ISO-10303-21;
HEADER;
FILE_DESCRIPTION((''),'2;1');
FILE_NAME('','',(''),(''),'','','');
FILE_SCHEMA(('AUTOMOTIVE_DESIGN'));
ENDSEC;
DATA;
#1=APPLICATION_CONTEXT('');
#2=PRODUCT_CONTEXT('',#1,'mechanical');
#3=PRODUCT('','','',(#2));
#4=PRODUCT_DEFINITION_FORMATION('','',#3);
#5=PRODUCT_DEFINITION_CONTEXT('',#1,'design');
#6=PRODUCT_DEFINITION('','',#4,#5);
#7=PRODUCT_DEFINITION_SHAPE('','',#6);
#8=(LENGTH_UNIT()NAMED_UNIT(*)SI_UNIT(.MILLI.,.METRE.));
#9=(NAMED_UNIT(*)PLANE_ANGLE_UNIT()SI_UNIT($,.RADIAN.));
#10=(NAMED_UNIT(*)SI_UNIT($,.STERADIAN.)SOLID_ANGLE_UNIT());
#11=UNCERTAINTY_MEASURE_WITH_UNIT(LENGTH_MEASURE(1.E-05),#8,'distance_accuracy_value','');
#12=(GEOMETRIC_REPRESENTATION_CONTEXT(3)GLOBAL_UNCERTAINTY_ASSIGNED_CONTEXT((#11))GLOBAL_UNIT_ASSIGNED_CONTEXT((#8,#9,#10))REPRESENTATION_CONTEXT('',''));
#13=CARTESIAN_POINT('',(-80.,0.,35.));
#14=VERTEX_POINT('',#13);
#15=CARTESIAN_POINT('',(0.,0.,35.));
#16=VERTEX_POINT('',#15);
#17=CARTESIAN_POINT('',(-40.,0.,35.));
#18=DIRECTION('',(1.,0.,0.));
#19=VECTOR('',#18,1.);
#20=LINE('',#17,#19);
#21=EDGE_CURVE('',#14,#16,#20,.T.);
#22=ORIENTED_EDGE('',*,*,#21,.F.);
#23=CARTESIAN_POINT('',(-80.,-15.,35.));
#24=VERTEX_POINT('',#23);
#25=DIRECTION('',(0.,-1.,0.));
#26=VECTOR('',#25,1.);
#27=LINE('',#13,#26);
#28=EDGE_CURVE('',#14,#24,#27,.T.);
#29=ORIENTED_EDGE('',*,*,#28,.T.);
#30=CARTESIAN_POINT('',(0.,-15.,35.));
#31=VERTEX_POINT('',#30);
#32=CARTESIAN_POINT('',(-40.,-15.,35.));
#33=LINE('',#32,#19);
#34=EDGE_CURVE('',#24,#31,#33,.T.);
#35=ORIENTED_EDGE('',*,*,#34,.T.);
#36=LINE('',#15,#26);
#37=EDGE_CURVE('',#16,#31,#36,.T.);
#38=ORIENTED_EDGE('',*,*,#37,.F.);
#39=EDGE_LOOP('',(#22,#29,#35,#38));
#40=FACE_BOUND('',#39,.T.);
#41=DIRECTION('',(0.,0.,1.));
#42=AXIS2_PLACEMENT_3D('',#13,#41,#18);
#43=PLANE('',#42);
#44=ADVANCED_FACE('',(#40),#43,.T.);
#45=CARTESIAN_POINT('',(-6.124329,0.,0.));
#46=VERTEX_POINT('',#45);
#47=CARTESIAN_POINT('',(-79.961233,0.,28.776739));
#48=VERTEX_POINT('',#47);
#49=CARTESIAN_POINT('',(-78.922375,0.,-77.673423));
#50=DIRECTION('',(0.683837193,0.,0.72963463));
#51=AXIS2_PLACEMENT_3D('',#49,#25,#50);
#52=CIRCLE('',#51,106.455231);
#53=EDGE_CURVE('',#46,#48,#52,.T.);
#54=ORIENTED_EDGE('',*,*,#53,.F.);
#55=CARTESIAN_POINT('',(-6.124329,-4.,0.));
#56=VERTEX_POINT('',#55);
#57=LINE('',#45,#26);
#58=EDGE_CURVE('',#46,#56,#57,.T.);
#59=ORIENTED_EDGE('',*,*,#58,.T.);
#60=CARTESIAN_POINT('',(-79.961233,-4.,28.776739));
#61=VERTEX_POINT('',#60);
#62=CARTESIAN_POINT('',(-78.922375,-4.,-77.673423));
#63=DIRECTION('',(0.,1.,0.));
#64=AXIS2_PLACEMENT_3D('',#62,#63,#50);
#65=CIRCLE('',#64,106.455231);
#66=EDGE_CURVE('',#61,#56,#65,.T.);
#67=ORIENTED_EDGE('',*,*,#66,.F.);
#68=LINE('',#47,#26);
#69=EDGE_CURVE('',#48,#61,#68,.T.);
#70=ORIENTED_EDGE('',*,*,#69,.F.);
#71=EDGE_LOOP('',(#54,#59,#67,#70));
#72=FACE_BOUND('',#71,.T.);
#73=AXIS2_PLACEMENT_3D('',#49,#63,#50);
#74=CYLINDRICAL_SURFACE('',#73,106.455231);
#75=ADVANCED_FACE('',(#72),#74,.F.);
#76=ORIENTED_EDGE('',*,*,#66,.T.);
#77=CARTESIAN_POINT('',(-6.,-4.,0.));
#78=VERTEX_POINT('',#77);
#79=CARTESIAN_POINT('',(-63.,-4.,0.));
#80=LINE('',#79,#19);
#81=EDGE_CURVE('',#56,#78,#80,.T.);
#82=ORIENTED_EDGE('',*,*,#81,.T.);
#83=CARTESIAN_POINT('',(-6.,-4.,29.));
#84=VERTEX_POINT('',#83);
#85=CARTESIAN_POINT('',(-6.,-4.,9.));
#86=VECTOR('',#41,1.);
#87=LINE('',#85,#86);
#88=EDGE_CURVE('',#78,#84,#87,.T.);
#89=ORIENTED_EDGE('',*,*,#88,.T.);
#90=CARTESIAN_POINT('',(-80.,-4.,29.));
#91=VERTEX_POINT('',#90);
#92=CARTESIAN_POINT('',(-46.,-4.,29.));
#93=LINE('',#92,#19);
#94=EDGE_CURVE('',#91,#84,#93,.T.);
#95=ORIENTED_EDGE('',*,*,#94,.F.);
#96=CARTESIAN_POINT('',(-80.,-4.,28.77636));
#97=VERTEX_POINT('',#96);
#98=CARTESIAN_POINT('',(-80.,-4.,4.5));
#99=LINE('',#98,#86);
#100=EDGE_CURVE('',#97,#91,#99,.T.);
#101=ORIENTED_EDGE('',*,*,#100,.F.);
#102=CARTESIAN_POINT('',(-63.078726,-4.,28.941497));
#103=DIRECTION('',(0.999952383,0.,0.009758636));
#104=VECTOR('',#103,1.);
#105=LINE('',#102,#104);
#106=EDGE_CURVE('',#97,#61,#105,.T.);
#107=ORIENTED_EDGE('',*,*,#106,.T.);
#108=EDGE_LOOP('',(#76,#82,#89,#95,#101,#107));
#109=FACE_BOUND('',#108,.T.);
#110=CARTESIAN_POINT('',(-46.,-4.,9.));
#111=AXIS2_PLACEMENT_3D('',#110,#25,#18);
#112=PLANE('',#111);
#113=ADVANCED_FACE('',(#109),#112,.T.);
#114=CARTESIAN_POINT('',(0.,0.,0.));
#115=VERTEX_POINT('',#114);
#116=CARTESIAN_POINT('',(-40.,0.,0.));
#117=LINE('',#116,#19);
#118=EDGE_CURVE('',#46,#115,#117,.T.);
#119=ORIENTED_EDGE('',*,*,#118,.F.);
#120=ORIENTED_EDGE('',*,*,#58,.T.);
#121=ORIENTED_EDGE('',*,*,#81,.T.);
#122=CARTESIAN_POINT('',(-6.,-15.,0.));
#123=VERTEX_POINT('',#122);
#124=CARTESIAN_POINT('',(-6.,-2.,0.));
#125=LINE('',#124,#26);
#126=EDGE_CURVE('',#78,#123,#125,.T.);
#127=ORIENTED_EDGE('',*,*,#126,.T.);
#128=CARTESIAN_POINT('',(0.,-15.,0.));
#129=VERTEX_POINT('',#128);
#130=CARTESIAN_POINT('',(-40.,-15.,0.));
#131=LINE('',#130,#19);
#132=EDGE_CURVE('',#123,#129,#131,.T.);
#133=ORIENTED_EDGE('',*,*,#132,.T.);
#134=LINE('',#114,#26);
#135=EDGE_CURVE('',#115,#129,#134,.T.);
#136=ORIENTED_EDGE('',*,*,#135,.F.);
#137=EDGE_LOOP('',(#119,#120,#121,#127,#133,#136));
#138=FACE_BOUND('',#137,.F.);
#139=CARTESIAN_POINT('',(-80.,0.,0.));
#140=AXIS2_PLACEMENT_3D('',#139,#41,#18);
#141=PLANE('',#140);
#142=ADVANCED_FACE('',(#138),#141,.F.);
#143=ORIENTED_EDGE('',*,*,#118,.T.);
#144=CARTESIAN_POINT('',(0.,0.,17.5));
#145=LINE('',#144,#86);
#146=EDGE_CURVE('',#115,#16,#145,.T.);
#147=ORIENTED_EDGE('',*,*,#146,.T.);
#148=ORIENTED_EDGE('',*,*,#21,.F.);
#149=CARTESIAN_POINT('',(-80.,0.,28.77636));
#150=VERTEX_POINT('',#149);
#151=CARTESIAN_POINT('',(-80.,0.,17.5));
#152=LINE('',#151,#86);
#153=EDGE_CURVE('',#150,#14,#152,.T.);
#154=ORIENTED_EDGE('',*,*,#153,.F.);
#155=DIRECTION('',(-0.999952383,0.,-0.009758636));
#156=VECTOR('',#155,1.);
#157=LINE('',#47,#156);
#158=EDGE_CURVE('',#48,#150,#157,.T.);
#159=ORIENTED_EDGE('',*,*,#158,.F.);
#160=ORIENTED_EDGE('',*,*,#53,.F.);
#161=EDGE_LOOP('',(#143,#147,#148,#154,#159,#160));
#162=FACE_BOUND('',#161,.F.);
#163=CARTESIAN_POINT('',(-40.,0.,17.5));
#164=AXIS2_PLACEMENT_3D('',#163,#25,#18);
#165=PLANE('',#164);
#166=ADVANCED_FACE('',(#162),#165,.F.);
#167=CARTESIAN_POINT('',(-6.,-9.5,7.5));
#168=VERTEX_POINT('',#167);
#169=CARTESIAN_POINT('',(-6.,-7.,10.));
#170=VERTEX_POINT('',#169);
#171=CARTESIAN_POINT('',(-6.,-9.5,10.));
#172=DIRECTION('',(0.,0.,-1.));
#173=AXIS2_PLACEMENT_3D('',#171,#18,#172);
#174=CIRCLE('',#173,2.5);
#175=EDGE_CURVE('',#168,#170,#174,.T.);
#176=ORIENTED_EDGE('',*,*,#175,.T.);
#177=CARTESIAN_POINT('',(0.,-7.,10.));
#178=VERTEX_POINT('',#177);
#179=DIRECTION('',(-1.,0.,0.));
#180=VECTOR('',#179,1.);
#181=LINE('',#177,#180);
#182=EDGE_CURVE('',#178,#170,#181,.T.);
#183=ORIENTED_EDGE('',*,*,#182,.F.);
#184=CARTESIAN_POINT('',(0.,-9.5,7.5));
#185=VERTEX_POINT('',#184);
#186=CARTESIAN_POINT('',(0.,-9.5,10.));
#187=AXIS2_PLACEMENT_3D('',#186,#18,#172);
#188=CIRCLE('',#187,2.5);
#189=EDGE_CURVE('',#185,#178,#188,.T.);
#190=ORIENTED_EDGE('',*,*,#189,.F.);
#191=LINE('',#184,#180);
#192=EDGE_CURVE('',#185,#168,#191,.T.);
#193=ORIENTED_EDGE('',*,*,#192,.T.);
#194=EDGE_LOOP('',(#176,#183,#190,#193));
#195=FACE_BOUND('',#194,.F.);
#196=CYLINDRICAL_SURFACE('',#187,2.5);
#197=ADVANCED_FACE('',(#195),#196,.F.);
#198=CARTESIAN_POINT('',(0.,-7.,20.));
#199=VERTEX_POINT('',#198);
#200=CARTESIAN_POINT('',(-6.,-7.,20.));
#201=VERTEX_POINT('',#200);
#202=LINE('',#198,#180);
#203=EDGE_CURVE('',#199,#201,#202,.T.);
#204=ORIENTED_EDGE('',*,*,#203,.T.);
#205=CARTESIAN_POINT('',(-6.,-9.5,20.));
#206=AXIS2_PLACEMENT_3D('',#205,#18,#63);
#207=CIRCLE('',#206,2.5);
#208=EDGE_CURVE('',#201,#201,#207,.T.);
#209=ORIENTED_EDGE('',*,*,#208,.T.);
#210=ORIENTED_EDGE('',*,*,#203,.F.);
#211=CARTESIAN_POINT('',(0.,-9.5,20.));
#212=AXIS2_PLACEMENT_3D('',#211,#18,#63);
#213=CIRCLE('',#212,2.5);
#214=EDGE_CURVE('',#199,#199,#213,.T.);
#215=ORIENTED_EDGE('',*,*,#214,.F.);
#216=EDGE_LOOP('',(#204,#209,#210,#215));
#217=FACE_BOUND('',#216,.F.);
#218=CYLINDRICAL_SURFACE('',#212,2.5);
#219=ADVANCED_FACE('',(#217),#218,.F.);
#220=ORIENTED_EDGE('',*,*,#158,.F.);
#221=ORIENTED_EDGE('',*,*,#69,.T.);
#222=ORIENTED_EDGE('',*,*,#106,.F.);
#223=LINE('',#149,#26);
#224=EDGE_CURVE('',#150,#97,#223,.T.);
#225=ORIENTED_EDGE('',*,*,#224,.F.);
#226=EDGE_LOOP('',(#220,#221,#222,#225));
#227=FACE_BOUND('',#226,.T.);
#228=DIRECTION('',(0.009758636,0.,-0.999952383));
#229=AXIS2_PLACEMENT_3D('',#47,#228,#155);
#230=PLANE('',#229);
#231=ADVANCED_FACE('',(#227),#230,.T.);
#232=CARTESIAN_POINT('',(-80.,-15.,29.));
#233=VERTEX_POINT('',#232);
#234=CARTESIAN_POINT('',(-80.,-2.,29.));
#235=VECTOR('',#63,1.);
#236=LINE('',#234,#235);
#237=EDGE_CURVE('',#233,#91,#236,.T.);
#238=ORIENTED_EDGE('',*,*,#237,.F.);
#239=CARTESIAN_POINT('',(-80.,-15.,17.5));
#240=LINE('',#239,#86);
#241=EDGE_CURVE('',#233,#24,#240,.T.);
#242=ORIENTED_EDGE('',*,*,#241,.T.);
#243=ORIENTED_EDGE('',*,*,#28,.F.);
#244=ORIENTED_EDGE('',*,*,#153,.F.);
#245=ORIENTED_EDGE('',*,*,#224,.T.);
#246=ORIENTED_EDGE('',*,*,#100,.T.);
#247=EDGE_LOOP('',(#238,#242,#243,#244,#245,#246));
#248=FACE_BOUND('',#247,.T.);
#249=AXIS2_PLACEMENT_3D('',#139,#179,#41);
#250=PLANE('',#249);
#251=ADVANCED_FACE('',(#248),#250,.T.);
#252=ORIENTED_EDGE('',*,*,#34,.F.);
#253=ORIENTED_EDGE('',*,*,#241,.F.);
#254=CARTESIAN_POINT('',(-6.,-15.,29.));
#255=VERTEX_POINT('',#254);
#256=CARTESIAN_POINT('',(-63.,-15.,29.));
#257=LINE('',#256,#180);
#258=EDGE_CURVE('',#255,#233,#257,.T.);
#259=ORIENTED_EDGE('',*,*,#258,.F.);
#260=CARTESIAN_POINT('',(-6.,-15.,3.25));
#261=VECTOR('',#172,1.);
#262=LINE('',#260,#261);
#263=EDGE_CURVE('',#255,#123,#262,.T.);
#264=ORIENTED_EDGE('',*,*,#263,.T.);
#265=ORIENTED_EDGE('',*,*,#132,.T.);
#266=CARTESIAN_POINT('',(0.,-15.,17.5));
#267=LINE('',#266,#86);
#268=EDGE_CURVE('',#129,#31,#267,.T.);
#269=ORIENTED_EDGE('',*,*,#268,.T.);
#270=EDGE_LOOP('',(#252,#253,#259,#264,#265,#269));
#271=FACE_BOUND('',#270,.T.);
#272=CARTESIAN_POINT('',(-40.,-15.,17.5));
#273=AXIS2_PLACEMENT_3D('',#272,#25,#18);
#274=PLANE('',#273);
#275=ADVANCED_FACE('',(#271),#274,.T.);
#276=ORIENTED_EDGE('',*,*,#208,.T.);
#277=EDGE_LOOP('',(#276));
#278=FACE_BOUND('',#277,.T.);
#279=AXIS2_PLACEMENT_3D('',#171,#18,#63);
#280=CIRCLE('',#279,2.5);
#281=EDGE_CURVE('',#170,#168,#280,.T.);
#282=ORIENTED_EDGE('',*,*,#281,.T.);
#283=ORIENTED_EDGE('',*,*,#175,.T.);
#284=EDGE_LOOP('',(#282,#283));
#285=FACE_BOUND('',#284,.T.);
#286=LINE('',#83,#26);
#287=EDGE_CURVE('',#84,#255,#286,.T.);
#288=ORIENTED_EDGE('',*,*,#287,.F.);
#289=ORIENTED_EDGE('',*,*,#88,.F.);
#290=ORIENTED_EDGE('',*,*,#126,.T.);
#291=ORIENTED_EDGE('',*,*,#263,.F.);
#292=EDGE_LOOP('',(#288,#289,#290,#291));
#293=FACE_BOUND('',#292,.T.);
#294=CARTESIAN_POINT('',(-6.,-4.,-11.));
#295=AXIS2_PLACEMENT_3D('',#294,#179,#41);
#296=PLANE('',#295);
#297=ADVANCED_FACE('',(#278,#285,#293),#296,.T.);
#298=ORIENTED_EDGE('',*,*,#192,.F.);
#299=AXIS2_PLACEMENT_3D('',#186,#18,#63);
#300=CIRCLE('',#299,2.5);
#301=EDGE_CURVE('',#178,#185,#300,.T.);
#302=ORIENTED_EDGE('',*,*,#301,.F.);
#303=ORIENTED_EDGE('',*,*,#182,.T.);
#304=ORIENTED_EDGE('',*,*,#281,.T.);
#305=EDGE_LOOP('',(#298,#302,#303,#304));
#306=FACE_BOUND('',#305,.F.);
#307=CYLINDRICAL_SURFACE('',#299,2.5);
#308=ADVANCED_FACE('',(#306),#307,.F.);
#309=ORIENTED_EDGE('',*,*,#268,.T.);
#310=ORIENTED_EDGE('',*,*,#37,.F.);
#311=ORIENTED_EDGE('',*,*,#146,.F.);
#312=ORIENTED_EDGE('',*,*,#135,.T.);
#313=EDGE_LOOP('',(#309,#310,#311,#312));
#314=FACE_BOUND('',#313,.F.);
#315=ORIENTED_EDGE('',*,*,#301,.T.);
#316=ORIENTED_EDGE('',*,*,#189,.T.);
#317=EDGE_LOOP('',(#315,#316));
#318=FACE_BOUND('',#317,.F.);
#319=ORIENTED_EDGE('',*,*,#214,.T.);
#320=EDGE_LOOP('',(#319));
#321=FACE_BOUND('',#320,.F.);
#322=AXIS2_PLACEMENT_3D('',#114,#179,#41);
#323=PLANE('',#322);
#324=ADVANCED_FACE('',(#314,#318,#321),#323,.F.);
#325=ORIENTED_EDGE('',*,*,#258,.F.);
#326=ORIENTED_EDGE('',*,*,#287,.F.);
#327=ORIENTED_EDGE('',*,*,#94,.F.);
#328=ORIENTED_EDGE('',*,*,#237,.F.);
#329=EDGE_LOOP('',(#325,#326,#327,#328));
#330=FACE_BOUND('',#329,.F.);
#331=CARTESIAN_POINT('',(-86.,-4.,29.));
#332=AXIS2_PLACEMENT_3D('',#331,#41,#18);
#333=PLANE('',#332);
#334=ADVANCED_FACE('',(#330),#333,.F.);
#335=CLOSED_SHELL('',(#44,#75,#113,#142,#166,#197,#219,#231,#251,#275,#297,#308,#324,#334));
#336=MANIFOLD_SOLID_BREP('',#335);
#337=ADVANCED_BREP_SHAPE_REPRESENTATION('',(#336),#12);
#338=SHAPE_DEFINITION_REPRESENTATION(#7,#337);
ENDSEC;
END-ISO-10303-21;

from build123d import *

# Parameters (mm, degrees)
F0_W          = 80
F0_H          = 35
F1_DEPTH      = 15
F3_START      = 4
F2_W          = 80
F2_H          = 40
F3_DEPTH      = 21
F5_DEPTH      = 25
F5_DEPTH_BACK = 25
F6_R          = 2.5
F7_DEPTH      = 25
F7_DEPTH_BACK = 25


with BuildPart() as f1:
    # F0 (on Front) → F1 (new body)
    with BuildSketch(Plane.XZ):
        with Locations((-40, 17.5)):
            Rectangle(F0_W, F0_H)
    extrude(amount=F1_DEPTH)

    # F2 (on Front) → F3 (cut)
    with BuildSketch(Plane.XZ.offset(F3_START)):
        with Locations((-46, 9)):
            Rectangle(F2_W, F2_H)
    extrude(amount=F3_DEPTH, mode=Mode.SUBTRACT)

    # F4 (on Front) → F5 (cut, two sides)
    with BuildSketch(Plane.XZ) as f5_sk:
        with BuildLine():
            Line((-6.1243288219, -12.5113828104), (-6.1243288219, 0))
            ThreePointArc((-6.1243288219, 0), (-40.2652870135, 21.5150124091), (-79.961232841, 28.7767387927))
            Line((-79.961232841, 28.7767387927), (-95.1284343701, 28.6287205464))
            Line((-95.1284343701, 28.6287205464), (-94.7269439607, -12.5113828104))
            Line((-94.7269439607, -12.5113828104), (-6.1243288219, -12.5113828104))
        make_face()
    extrude(amount=F5_DEPTH, mode=Mode.SUBTRACT)
    extrude(f5_sk.sketch, amount=-F5_DEPTH_BACK, mode=Mode.SUBTRACT)

    # F6 (on Right) → F7 (cut, two sides)
    with BuildSketch(Plane.YZ) as f7_sk:
        with Locations((-9.5, 20)):
            Circle(F6_R)
        with BuildLine():
            ThreePointArc((-9.5, 7.5), (-7.732233047, 8.232233047), (-7, 10))
            ThreePointArc((-7, 10), (-11.267766953, 11.767766953), (-9.5, 7.5))
        make_face()
    extrude(amount=F7_DEPTH, mode=Mode.SUBTRACT)
    extrude(f7_sk.sketch, amount=-F7_DEPTH_BACK, mode=Mode.SUBTRACT)


solid = f1.part
